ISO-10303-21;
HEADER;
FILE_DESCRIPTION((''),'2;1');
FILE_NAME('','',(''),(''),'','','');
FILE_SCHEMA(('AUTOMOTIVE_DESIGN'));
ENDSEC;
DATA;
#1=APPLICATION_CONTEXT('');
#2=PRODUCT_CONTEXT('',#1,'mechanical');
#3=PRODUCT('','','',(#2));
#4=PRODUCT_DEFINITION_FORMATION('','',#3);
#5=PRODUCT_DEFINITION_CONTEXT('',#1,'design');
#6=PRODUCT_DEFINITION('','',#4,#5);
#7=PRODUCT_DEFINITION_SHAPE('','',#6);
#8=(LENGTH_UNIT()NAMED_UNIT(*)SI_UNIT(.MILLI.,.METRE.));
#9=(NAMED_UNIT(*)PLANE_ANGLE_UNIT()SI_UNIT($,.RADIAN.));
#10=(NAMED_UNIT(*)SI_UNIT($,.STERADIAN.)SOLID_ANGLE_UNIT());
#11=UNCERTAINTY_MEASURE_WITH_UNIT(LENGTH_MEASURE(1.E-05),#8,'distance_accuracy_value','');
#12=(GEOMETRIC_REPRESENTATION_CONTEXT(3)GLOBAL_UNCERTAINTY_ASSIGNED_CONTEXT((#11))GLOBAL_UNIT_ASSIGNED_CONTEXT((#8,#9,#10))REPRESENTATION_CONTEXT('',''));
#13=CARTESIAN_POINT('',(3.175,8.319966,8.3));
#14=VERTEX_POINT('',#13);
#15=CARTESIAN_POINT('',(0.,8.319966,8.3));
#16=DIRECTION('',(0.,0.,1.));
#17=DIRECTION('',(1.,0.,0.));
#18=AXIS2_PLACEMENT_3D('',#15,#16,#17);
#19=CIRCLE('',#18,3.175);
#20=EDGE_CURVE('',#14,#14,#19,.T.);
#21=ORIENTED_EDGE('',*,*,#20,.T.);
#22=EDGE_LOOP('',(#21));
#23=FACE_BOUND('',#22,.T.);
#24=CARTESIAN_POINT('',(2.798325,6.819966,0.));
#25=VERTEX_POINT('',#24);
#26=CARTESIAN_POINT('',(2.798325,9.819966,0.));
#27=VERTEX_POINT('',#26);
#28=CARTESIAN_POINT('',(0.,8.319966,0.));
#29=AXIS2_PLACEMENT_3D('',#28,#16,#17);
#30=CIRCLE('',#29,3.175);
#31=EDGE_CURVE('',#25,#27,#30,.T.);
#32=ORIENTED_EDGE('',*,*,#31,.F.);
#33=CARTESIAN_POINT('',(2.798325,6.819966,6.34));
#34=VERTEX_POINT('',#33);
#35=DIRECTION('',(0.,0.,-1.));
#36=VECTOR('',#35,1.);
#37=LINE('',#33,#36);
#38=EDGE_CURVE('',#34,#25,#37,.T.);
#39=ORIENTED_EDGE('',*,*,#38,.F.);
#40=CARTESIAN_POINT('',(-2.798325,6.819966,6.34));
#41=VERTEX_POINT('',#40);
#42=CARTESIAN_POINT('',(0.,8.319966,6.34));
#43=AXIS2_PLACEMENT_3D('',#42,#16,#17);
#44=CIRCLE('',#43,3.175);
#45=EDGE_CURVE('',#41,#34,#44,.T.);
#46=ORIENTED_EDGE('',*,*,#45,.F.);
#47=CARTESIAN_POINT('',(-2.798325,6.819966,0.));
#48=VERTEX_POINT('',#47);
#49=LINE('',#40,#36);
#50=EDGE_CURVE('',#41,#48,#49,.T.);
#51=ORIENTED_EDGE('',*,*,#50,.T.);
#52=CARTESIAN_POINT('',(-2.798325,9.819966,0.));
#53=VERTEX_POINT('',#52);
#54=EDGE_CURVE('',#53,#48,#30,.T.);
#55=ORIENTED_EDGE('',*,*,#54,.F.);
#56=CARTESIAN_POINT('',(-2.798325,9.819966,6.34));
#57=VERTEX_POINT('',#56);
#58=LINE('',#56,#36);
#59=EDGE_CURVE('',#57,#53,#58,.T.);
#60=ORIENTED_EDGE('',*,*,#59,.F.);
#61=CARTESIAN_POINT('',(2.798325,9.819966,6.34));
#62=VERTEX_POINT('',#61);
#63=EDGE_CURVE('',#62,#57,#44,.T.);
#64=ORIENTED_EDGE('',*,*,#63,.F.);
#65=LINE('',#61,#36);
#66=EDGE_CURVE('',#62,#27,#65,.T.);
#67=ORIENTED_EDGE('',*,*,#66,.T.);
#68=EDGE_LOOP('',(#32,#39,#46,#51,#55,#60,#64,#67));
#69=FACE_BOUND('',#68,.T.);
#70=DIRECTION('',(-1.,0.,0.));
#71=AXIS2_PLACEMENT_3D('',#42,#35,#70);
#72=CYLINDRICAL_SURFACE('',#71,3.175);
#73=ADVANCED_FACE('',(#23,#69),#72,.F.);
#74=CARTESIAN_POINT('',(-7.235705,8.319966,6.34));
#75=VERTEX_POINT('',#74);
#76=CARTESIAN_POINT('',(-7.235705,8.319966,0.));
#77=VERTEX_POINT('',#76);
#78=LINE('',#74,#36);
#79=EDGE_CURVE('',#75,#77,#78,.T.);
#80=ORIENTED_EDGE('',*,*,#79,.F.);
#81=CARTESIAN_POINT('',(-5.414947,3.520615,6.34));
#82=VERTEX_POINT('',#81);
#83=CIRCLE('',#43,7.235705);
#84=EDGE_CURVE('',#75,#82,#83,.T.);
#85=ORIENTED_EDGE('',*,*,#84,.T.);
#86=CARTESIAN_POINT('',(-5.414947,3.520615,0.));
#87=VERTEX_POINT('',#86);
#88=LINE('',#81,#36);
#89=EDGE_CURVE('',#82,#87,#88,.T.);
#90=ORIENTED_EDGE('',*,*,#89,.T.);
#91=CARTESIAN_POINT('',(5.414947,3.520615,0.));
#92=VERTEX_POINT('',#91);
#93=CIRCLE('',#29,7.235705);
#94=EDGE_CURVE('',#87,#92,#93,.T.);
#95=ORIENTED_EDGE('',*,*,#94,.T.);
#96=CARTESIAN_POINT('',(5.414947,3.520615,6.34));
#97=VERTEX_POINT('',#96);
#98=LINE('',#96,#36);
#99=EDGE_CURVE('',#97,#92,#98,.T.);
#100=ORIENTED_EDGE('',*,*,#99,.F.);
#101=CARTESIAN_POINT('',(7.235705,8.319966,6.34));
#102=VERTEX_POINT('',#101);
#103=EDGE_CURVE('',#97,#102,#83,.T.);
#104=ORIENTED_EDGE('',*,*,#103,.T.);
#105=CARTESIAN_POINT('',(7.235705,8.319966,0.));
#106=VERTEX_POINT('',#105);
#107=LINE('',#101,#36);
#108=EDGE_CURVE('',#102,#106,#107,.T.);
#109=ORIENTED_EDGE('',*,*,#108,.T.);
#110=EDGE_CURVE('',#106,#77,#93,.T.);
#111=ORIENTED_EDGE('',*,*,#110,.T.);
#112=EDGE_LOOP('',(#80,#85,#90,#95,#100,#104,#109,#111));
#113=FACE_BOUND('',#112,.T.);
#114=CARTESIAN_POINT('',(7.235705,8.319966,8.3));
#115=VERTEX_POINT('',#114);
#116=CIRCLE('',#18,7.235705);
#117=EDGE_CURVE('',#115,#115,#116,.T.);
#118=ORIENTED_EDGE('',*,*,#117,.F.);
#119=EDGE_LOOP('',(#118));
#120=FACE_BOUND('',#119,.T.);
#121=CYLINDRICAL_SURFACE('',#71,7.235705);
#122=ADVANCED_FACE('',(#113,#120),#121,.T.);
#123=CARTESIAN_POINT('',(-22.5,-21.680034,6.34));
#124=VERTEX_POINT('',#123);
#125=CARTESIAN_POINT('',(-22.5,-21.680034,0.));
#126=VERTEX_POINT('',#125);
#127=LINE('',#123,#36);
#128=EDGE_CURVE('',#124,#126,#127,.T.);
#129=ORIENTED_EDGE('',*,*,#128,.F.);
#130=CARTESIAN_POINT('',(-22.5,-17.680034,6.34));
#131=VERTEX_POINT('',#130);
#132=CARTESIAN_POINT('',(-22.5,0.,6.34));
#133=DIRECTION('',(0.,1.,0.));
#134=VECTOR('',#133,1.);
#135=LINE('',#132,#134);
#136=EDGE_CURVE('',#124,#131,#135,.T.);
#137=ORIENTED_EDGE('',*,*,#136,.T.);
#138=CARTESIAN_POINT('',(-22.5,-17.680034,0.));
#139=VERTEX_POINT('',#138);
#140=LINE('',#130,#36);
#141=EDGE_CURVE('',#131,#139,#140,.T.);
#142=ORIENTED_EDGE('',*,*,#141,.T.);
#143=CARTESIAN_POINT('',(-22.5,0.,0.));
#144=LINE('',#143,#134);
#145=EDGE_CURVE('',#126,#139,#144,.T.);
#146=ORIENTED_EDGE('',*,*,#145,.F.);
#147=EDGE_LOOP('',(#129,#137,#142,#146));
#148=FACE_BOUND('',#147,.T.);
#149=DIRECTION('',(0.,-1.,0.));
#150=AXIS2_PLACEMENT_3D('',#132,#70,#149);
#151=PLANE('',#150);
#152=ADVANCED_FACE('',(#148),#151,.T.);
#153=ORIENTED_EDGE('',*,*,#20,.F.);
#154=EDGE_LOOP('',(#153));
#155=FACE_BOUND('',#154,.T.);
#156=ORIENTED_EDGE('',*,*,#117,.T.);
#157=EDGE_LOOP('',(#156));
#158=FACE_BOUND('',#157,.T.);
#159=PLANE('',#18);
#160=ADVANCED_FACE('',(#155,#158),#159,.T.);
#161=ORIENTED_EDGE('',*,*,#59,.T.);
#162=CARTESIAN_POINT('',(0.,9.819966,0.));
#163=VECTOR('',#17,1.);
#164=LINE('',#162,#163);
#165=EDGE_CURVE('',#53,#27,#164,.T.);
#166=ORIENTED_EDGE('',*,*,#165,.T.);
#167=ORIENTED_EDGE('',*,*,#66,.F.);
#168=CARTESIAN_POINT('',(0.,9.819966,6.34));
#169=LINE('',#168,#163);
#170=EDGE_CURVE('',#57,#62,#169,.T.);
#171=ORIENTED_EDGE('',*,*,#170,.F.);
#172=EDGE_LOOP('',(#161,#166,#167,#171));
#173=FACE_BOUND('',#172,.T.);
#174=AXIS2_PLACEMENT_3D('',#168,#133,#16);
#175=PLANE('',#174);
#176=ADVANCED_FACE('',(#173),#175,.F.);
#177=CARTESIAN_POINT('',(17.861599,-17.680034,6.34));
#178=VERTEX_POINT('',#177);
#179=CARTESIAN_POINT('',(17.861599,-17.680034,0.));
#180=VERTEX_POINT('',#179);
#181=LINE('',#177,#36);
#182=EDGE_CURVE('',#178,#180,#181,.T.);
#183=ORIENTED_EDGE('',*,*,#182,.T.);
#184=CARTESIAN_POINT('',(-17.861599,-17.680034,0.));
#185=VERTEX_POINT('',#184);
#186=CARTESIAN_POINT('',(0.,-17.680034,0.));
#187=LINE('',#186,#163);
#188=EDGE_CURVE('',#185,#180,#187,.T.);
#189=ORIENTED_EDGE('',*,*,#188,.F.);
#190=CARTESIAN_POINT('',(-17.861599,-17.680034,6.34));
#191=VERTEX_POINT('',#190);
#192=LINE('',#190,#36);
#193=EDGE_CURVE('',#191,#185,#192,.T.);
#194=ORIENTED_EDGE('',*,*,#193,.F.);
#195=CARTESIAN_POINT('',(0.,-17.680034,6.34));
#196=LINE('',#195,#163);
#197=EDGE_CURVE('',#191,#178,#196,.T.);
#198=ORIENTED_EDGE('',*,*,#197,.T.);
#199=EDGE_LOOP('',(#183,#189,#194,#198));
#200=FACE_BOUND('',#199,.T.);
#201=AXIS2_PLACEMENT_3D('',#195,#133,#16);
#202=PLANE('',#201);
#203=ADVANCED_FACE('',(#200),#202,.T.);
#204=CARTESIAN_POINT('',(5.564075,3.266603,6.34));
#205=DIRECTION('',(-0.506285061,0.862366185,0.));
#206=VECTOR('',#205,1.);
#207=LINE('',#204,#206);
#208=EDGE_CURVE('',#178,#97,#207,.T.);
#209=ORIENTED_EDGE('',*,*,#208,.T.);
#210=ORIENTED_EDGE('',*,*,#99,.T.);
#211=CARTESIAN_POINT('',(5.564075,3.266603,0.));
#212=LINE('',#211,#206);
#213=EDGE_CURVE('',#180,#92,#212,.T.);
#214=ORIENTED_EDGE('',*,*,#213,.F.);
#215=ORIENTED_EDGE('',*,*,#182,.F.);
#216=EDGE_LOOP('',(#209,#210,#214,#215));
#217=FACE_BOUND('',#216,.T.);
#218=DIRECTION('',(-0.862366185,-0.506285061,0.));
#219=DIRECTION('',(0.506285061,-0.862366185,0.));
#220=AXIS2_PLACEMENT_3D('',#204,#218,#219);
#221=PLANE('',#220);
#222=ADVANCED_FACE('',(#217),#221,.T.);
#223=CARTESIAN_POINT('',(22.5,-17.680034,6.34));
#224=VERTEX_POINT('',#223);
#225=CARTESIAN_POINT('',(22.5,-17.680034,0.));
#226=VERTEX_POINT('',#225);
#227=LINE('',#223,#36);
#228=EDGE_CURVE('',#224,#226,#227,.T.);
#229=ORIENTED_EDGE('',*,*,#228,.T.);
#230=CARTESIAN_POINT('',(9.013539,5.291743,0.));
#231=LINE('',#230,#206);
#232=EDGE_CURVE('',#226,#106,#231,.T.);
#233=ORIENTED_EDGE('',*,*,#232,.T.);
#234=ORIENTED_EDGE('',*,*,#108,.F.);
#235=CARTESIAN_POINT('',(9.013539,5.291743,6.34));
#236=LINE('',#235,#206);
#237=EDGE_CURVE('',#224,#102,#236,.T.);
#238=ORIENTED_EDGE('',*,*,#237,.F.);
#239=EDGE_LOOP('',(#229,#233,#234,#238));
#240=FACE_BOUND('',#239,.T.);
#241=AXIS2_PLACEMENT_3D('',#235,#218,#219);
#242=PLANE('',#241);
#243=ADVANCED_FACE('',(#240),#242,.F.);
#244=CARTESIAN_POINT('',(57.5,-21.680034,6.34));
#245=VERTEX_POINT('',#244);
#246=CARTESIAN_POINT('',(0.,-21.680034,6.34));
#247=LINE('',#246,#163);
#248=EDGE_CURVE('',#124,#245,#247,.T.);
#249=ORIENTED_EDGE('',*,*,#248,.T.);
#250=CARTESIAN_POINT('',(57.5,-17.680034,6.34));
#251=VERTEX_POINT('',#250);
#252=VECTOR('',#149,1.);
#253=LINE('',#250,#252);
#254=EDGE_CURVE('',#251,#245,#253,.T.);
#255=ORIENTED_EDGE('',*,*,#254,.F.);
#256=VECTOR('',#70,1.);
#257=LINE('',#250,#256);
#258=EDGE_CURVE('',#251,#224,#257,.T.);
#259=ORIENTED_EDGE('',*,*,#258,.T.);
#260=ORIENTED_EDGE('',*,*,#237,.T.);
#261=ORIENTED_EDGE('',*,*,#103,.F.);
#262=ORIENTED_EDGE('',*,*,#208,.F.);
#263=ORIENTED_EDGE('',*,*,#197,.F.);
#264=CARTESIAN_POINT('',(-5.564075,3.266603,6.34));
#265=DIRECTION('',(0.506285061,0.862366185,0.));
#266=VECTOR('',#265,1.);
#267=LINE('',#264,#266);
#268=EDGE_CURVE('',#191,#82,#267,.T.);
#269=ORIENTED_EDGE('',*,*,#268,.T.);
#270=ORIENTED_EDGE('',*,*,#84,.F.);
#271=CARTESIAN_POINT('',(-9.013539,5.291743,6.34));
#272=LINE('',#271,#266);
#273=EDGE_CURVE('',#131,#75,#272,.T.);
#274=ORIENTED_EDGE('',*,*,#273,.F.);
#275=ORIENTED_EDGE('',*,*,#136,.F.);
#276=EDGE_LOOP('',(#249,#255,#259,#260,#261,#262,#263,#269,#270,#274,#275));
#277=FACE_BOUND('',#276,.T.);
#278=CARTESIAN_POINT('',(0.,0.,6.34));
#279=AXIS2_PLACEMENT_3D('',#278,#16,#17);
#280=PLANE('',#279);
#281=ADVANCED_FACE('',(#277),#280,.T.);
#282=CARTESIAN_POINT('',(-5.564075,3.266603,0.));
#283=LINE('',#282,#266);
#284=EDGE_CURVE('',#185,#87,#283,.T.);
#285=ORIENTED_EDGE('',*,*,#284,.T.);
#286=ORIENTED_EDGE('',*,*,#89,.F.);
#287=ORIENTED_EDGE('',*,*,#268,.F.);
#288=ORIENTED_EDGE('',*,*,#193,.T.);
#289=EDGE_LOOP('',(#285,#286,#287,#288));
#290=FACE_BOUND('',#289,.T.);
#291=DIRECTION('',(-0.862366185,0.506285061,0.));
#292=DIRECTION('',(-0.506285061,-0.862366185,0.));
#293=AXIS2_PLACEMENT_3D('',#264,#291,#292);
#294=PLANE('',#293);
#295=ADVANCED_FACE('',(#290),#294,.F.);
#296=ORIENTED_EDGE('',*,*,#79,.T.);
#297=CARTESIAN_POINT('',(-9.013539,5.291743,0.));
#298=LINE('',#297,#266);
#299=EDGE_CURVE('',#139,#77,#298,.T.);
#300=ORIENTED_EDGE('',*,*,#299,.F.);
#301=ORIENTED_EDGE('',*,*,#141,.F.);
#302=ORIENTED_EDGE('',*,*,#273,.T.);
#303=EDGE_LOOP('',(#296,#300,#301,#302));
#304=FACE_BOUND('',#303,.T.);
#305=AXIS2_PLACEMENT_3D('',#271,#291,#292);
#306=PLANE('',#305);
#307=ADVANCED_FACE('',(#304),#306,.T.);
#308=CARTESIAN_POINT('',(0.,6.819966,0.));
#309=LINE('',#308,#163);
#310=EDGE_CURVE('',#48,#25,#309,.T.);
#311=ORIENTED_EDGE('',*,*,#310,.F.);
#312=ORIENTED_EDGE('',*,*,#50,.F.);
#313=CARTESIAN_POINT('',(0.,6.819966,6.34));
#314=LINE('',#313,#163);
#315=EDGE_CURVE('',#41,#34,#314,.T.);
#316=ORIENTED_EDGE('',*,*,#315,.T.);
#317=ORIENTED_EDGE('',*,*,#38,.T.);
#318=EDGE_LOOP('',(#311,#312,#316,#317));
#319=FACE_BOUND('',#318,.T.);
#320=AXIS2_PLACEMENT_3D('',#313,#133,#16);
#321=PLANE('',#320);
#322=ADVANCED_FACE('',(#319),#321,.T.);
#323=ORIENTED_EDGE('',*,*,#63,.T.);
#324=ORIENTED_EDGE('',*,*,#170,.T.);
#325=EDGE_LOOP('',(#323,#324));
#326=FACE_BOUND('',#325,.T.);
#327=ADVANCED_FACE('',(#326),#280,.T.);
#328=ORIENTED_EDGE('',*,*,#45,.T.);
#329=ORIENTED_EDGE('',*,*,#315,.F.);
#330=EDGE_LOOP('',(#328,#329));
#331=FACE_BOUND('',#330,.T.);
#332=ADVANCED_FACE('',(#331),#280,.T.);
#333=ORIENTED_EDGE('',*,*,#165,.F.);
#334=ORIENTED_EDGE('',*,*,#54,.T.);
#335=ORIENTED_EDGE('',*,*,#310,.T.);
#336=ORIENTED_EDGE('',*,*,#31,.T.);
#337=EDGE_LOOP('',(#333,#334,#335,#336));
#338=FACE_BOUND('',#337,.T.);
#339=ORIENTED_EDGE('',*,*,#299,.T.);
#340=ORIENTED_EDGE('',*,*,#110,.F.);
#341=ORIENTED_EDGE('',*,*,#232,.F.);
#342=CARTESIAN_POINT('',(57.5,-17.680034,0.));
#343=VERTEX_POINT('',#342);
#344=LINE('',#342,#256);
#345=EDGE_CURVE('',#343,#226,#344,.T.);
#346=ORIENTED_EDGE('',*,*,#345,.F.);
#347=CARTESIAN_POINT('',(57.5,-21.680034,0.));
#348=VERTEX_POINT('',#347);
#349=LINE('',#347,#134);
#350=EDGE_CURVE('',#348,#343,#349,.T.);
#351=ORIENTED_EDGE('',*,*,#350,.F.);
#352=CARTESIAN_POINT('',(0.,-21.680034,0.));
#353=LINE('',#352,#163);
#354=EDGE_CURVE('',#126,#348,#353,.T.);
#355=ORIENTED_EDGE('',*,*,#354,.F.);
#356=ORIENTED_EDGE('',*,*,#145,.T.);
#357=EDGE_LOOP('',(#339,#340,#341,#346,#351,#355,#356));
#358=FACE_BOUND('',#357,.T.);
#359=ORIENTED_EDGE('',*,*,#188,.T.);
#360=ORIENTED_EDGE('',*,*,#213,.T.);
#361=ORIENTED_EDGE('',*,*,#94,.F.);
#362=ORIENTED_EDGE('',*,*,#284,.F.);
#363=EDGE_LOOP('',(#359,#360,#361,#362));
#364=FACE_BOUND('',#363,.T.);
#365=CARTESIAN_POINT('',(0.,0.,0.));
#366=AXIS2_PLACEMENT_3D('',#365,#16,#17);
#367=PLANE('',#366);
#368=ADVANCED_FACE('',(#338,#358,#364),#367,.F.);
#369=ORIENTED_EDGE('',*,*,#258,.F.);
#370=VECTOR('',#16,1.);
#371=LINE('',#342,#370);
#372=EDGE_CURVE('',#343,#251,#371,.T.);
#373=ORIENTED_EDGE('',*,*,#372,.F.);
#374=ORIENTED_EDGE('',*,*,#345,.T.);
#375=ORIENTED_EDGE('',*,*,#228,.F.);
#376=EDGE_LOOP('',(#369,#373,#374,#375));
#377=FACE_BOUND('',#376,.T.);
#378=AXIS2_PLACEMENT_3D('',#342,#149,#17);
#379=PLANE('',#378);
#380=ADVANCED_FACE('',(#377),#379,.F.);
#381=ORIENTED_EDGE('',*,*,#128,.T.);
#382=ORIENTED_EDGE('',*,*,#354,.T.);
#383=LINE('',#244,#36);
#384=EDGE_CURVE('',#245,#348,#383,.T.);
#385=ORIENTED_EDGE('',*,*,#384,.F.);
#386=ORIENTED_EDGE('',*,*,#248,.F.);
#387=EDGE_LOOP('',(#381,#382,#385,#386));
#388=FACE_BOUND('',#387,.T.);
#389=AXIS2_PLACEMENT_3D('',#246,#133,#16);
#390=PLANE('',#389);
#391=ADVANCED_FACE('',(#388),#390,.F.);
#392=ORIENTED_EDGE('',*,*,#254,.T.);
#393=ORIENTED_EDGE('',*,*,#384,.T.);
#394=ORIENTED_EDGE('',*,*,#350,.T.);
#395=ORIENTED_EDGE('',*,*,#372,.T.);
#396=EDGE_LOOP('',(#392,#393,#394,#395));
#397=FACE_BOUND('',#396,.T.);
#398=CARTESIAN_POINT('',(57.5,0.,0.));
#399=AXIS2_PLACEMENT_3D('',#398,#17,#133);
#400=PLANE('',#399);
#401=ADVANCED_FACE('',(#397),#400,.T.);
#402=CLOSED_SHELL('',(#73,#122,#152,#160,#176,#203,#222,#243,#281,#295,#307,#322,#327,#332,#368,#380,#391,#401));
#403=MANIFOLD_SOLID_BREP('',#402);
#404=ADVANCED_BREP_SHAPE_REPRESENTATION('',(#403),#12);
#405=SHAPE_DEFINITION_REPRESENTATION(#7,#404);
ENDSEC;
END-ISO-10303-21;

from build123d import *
from build123d.topology import SkipClean

# Parameters (mm, degrees)
BOSS_EXTRUDE1_DEPTH = 6.34
SKETCH6_R           = 7.235705293
SKETCH6_R_2         = 3.175
BOSS_EXTRUDE2_DEPTH = 1.96
SKETCH8_W           = 6.34
SKETCH8_H           = 4
BOSS_EXTRUDE4_DEPTH = 35


with BuildPart() as part:
    # Sketch1 → Boss-Extrude1 (new body)
    # profile 1 of 5: a face of its own
    with BuildSketch(Plane.XY):
        with BuildLine():
            ThreePointArc((7.235705293, 8.31996617), (0, 15.555671463), (-7.235705293, 8.31996617))
            ThreePointArc((-7.235705293, 8.31996617), (-6.76521969, 5.753405509), (-5.414947438, 3.520614617))
            Line((-5.414947438, 3.520614617), (-3.113806984, 7.440196422))
            ThreePointArc((-3.113806984, 7.440196422), (0, 11.555671463), (3.113806984, 7.440196422))
            Line((3.113806984, 7.440196422), (5.414947438, 3.520614617))
            ThreePointArc((5.414947438, 3.520614617), (6.76521969, 5.753405509), (7.235705293, 8.31996617))
        make_face()
    # profile 2 of 5: a face of its own
    with BuildSketch(Plane.XY):
        with BuildLine():
            Line((-7.235705293, 8.31996617), (-22.5, -17.68003383))
            Line((-22.5, -17.68003383), (-22.5, -21.68003383))
            Line((-22.5, -21.68003383), (22.5, -21.68003383))
            Line((22.5, -21.68003383), (22.5, -17.68003383))
            Line((22.5, -17.68003383), (7.235705293, 8.31996617))
            ThreePointArc((7.235705293, 8.31996617), (6.76521969, 5.753405509), (5.414947438, 3.520614617))
            Line((5.414947438, 3.520614617), (17.861599202, -17.68003383))
            Line((17.861599202, -17.68003383), (-17.861599202, -17.68003383))
            Line((-17.861599202, -17.68003383), (-5.414947438, 3.520614617))
            ThreePointArc((-5.414947438, 3.520614617), (-6.76521969, 5.753405509), (-7.235705293, 8.31996617))
        make_face()
    # profile 3 of 5: a face of its own
    with BuildSketch(Plane.XY):
        with BuildLine():
            Line((-3.113806984, 7.440196422), (-5.414947438, 3.520614617))
            ThreePointArc((-5.414947438, 3.520614617), (0, 1.084260877), (5.414947438, 3.520614617))
            Line((5.414947438, 3.520614617), (3.113806984, 7.440196422))
            ThreePointArc((3.113806984, 7.440196422), (0, 11.555671463), (-3.113806984, 7.440196422))
        make_face()
        with BuildLine():
            ThreePointArc((-2.798325392, 6.81996617), (-3.175, 8.31996617), (-2.798325392, 9.81996617))
            ThreePointArc((-2.798325392, 9.81996617), (0, 11.49496617), (2.798325392, 9.81996617))
            ThreePointArc((2.798325392, 9.81996617), (3.079391833, 9.093251978), (3.175, 8.31996617))
            ThreePointArc((3.175, 8.31996617), (3.079391833, 7.546680362), (2.798325392, 6.81996617))
            ThreePointArc((2.798325392, 6.81996617), (0, 5.14496617), (-2.798325392, 6.81996617))
        make_face(mode=Mode.SUBTRACT)
    # profile 4 of 5: a face of its own
    with BuildSketch(Plane.XY):
        with BuildLine():
            Line((2.798325392, 6.81996617), (-2.798325392, 6.81996617))
            ThreePointArc((-2.798325392, 6.81996617), (0, 5.14496617), (2.798325392, 6.81996617))
        make_face()
    # profile 5 of 5: a face of its own
    with BuildSketch(Plane.XY):
        with BuildLine():
            ThreePointArc((2.798325392, 9.81996617), (0, 11.49496617), (-2.798325392, 9.81996617))
            Line((-2.798325392, 9.81996617), (2.798325392, 9.81996617))
        make_face()
    extrude(amount=BOSS_EXTRUDE1_DEPTH)

    # Sketch6 → Boss-Extrude2 (add)
    with SkipClean():  # the faces are left unmerged after this step: merging them gives an invalid solid
        with BuildSketch(Plane.XY.offset(6.34)):
            with Locations((0, 8.31996617)):
                Circle(SKETCH6_R)
            with Locations(Location((0, 8.31996617, 0), (0, 0, 151.807139439))):
                Circle(SKETCH6_R_2, mode=Mode.SUBTRACT)
        extrude(amount=BOSS_EXTRUDE2_DEPTH)

    # Sketch8 → Boss-Extrude4 (add)
    with SkipClean():  # the faces are left unmerged after this step: merging them gives an invalid solid
        with BuildSketch(Plane(origin=(22.5, 0, 0), x_dir=(0, 0, -1), z_dir=(1, 0, 0))):
            with Locations((-3.17, -19.68003383)):
                Rectangle(SKETCH8_W, SKETCH8_H)
        extrude(amount=BOSS_EXTRUDE4_DEPTH)


solid = part.part
